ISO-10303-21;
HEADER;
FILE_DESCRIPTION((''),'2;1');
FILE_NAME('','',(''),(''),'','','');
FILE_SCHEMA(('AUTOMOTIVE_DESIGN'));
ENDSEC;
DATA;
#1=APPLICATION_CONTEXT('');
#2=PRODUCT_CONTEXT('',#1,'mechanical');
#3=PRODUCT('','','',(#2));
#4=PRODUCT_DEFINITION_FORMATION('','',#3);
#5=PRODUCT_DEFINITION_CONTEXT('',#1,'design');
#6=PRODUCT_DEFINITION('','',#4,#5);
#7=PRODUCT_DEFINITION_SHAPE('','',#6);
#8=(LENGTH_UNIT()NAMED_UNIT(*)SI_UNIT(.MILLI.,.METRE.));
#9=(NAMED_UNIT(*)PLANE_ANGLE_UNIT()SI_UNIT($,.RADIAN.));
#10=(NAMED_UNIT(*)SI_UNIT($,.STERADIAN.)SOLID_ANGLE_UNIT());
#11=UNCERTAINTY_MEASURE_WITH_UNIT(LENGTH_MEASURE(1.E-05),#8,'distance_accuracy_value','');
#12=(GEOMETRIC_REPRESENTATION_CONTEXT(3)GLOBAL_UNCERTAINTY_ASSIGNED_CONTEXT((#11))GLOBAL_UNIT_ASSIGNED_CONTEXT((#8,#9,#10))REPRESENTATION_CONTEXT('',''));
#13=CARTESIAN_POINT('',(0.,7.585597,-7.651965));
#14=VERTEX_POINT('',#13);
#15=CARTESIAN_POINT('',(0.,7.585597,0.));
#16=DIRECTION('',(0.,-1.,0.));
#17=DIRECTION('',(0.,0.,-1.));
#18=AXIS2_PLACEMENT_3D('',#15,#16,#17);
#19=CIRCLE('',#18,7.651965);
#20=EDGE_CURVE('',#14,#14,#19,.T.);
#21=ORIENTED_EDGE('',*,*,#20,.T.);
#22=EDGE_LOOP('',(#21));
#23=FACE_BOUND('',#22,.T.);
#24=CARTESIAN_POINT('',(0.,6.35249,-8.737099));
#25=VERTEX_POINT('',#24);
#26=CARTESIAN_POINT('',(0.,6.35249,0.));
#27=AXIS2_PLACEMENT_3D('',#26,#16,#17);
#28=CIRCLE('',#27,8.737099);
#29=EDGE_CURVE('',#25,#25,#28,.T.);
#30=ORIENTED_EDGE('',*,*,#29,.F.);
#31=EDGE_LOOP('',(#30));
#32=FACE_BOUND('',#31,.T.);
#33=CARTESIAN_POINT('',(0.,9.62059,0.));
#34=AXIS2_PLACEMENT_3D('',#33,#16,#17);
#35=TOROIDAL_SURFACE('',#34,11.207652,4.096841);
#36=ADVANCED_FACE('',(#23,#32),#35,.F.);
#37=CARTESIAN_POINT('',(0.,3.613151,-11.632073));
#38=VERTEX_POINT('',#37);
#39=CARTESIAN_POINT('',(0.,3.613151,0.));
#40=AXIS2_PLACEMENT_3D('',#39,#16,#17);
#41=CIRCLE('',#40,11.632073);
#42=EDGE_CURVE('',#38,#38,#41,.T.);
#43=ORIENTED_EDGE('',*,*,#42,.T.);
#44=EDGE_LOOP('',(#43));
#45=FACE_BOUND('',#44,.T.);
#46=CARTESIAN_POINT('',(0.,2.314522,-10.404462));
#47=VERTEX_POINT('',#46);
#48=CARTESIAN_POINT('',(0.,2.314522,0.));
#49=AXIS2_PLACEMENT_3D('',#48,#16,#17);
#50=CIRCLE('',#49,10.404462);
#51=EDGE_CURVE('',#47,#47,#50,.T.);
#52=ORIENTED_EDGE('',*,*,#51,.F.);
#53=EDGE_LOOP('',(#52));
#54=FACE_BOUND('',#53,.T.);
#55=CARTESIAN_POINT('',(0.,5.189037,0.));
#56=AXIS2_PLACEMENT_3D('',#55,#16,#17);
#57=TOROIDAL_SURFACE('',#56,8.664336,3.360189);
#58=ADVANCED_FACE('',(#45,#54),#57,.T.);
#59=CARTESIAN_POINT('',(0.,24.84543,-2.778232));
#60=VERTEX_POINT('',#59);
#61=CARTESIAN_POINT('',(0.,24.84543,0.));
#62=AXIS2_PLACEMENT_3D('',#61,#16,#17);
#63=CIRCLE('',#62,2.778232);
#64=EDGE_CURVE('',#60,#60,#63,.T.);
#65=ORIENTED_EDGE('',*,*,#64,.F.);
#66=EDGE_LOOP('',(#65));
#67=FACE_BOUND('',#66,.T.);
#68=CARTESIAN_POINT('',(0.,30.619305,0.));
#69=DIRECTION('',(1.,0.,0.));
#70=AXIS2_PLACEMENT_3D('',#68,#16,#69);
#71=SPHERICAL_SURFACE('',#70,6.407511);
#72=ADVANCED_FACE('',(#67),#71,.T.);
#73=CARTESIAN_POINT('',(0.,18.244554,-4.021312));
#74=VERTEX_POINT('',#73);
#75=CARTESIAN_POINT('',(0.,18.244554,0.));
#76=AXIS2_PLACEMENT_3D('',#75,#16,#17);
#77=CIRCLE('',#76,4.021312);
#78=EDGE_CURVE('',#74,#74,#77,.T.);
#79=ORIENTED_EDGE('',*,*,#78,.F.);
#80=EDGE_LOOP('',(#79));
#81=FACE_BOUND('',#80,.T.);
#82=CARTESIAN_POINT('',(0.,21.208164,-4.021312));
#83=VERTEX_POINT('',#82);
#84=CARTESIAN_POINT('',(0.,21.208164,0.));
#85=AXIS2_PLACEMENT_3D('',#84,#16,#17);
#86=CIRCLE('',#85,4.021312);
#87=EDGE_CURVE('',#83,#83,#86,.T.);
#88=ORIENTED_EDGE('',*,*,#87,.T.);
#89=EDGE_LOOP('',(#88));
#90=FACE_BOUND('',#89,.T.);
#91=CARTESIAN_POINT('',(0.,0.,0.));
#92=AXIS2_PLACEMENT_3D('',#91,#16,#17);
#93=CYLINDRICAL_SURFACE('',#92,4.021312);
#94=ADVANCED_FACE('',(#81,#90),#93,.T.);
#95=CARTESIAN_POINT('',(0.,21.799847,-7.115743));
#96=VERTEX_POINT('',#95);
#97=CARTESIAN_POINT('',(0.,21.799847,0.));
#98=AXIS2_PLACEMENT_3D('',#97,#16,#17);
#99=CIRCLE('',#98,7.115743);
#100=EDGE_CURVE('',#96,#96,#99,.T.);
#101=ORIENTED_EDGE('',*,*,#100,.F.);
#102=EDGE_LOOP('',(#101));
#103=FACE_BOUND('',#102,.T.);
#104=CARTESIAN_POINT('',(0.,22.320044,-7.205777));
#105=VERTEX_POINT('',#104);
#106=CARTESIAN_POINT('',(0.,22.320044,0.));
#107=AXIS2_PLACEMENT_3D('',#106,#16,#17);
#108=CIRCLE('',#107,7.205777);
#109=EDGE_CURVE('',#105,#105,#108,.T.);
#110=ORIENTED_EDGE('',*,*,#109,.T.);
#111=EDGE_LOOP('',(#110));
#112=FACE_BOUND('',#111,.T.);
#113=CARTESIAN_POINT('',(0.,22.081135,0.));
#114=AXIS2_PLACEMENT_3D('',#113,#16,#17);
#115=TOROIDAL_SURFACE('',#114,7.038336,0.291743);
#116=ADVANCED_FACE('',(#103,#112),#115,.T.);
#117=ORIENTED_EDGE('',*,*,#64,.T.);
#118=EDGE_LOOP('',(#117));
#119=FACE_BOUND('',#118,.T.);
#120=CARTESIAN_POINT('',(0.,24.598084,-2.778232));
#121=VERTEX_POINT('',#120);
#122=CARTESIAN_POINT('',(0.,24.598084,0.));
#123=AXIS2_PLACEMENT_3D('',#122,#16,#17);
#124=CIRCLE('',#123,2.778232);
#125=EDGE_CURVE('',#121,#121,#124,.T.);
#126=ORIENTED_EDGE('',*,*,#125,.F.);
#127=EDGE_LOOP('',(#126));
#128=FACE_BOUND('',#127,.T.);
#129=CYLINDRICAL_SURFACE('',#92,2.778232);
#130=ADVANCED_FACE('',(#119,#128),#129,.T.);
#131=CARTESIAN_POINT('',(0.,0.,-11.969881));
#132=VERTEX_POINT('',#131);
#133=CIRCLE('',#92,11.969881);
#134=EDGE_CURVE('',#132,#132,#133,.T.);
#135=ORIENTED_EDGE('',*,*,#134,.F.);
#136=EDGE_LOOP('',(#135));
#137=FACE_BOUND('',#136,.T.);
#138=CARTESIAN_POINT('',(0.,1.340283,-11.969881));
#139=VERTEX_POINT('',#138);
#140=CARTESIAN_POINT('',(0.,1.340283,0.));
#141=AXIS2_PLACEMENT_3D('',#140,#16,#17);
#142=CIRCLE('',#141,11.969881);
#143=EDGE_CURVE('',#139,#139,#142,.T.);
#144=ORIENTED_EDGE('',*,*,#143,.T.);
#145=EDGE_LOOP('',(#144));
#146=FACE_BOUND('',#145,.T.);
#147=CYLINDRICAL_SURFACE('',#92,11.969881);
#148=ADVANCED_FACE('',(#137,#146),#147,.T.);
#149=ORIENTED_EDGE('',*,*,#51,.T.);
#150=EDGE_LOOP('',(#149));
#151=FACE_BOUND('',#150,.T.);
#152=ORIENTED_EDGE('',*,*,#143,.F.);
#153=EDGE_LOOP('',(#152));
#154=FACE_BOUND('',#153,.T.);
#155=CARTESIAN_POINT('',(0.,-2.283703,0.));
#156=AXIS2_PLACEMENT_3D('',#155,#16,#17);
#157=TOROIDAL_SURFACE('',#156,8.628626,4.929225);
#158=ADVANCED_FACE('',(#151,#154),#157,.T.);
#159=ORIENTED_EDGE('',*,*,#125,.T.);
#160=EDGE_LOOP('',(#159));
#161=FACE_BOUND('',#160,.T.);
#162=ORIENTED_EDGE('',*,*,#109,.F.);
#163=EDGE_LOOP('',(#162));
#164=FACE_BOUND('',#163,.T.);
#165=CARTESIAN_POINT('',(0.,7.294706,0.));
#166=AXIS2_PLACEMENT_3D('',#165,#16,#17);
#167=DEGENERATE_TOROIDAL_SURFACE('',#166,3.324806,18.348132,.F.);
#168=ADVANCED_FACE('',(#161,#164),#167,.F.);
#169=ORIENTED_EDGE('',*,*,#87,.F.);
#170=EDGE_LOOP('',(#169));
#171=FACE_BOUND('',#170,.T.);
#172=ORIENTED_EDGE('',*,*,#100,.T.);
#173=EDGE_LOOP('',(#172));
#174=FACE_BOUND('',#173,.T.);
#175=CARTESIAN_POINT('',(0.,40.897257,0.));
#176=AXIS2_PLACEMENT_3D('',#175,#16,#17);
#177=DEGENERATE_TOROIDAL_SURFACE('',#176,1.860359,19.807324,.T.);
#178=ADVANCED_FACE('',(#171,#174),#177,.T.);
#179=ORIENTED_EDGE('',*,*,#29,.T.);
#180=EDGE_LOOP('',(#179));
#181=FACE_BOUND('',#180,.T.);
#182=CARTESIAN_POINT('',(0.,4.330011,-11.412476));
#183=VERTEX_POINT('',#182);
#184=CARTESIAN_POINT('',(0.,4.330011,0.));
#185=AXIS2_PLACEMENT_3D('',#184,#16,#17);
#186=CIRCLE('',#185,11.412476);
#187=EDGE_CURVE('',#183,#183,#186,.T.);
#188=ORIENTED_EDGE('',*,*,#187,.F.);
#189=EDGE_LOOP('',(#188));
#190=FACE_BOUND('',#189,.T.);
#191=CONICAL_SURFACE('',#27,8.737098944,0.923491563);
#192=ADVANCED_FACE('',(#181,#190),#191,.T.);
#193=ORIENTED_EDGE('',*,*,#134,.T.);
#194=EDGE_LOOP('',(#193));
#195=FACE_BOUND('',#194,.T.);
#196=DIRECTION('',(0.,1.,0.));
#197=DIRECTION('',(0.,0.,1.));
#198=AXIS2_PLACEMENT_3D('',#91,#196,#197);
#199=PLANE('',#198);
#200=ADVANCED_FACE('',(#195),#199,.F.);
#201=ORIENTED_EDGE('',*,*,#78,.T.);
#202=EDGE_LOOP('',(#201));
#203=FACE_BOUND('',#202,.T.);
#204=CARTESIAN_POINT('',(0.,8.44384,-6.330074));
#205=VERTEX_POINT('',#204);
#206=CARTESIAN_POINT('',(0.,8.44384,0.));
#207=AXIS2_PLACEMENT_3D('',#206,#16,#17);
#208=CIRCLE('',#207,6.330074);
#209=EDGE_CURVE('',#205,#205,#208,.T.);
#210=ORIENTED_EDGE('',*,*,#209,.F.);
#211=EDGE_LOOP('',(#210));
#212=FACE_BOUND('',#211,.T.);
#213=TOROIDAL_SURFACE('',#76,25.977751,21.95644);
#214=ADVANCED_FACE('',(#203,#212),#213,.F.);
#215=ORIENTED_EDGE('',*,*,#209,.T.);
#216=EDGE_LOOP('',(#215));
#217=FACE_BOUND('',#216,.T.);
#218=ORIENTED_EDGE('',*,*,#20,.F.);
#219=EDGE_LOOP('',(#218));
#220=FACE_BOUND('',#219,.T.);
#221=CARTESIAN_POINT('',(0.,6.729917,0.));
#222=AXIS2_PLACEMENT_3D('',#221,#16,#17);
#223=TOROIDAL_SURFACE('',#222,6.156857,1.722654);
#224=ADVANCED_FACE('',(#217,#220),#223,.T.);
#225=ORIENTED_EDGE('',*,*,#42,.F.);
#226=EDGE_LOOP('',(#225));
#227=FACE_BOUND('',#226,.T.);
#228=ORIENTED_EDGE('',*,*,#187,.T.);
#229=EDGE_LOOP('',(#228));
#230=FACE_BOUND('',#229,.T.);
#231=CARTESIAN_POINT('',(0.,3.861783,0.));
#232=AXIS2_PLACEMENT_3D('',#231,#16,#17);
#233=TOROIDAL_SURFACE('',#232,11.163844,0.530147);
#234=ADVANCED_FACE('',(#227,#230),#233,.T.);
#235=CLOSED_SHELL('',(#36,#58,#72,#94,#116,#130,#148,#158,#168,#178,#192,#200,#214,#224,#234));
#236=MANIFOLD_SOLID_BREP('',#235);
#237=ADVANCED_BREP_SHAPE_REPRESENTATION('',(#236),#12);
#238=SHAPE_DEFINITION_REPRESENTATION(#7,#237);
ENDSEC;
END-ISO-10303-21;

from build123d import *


with BuildPart() as part:
    # Sketch2 → Revolve1 (revolve)
    with BuildSketch(Plane.XY, mode=Mode.PRIVATE) as revolve1_sk:
        with BuildLine():
            Line((0, 0), (-11.96988083, 0))
            Line((-11.96988083, 0), (-11.96988083, 1.340283376))
            ThreePointArc((-11.96988083, 1.340283376), (-11.2331295, 1.901248909), (-10.404461542, 2.314521541))
            ThreePointArc((-10.404461542, 2.314521541), (-11.106179845, 2.880731417), (-11.63207258, 3.613151399))
            ThreePointArc((-11.63207258, 3.613151399), (-11.670741013, 4.017061246), (-11.412476332, 4.330011348))
            Line((-11.412476332, 4.330011348), (-8.737098944, 6.352490289))
            ThreePointArc((-8.737098944, 6.352490289), (-8.132098156, 6.91410221), (-7.651964701, 7.585597383))
            ThreePointArc((-7.651964701, 7.585597383), (-7.094925104, 8.174757479), (-6.330073896, 8.443839921))
            ThreePointArc((-6.330073896, 8.443839921), (-4.606295289, 13.210063627), (-4.021311984, 18.244554231))
            Line((-4.021311984, 18.244554231), (-4.021311984, 21.208163842))
            ThreePointArc((-4.021311984, 21.208163842), (-5.580309883, 21.442384278), (-7.115742629, 21.799847488))
            ThreePointArc((-7.115742629, 21.799847488), (-7.325805309, 22.03138024), (-7.205776672, 22.320044181))
            ThreePointArc((-7.205776672, 22.320044181), (-5.06963874, 23.609952102), (-2.778232272, 24.598083726))
            Line((-2.778232272, 24.598083726), (-2.778232272, 24.845430157))
            ThreePointArc((-2.778232272, 24.845430157), (-6.247093969, 32.04409144), (0, 37.026815862))
            Line((0, 37.026815862), (0, 0))
        make_face()
    revolve(revolve1_sk.sketch.rotate(Axis((0, 0, 0), (0, 1, 0)), 270), axis=Axis((0, 0, 0), (0, 1, 0)))


solid = part.part
